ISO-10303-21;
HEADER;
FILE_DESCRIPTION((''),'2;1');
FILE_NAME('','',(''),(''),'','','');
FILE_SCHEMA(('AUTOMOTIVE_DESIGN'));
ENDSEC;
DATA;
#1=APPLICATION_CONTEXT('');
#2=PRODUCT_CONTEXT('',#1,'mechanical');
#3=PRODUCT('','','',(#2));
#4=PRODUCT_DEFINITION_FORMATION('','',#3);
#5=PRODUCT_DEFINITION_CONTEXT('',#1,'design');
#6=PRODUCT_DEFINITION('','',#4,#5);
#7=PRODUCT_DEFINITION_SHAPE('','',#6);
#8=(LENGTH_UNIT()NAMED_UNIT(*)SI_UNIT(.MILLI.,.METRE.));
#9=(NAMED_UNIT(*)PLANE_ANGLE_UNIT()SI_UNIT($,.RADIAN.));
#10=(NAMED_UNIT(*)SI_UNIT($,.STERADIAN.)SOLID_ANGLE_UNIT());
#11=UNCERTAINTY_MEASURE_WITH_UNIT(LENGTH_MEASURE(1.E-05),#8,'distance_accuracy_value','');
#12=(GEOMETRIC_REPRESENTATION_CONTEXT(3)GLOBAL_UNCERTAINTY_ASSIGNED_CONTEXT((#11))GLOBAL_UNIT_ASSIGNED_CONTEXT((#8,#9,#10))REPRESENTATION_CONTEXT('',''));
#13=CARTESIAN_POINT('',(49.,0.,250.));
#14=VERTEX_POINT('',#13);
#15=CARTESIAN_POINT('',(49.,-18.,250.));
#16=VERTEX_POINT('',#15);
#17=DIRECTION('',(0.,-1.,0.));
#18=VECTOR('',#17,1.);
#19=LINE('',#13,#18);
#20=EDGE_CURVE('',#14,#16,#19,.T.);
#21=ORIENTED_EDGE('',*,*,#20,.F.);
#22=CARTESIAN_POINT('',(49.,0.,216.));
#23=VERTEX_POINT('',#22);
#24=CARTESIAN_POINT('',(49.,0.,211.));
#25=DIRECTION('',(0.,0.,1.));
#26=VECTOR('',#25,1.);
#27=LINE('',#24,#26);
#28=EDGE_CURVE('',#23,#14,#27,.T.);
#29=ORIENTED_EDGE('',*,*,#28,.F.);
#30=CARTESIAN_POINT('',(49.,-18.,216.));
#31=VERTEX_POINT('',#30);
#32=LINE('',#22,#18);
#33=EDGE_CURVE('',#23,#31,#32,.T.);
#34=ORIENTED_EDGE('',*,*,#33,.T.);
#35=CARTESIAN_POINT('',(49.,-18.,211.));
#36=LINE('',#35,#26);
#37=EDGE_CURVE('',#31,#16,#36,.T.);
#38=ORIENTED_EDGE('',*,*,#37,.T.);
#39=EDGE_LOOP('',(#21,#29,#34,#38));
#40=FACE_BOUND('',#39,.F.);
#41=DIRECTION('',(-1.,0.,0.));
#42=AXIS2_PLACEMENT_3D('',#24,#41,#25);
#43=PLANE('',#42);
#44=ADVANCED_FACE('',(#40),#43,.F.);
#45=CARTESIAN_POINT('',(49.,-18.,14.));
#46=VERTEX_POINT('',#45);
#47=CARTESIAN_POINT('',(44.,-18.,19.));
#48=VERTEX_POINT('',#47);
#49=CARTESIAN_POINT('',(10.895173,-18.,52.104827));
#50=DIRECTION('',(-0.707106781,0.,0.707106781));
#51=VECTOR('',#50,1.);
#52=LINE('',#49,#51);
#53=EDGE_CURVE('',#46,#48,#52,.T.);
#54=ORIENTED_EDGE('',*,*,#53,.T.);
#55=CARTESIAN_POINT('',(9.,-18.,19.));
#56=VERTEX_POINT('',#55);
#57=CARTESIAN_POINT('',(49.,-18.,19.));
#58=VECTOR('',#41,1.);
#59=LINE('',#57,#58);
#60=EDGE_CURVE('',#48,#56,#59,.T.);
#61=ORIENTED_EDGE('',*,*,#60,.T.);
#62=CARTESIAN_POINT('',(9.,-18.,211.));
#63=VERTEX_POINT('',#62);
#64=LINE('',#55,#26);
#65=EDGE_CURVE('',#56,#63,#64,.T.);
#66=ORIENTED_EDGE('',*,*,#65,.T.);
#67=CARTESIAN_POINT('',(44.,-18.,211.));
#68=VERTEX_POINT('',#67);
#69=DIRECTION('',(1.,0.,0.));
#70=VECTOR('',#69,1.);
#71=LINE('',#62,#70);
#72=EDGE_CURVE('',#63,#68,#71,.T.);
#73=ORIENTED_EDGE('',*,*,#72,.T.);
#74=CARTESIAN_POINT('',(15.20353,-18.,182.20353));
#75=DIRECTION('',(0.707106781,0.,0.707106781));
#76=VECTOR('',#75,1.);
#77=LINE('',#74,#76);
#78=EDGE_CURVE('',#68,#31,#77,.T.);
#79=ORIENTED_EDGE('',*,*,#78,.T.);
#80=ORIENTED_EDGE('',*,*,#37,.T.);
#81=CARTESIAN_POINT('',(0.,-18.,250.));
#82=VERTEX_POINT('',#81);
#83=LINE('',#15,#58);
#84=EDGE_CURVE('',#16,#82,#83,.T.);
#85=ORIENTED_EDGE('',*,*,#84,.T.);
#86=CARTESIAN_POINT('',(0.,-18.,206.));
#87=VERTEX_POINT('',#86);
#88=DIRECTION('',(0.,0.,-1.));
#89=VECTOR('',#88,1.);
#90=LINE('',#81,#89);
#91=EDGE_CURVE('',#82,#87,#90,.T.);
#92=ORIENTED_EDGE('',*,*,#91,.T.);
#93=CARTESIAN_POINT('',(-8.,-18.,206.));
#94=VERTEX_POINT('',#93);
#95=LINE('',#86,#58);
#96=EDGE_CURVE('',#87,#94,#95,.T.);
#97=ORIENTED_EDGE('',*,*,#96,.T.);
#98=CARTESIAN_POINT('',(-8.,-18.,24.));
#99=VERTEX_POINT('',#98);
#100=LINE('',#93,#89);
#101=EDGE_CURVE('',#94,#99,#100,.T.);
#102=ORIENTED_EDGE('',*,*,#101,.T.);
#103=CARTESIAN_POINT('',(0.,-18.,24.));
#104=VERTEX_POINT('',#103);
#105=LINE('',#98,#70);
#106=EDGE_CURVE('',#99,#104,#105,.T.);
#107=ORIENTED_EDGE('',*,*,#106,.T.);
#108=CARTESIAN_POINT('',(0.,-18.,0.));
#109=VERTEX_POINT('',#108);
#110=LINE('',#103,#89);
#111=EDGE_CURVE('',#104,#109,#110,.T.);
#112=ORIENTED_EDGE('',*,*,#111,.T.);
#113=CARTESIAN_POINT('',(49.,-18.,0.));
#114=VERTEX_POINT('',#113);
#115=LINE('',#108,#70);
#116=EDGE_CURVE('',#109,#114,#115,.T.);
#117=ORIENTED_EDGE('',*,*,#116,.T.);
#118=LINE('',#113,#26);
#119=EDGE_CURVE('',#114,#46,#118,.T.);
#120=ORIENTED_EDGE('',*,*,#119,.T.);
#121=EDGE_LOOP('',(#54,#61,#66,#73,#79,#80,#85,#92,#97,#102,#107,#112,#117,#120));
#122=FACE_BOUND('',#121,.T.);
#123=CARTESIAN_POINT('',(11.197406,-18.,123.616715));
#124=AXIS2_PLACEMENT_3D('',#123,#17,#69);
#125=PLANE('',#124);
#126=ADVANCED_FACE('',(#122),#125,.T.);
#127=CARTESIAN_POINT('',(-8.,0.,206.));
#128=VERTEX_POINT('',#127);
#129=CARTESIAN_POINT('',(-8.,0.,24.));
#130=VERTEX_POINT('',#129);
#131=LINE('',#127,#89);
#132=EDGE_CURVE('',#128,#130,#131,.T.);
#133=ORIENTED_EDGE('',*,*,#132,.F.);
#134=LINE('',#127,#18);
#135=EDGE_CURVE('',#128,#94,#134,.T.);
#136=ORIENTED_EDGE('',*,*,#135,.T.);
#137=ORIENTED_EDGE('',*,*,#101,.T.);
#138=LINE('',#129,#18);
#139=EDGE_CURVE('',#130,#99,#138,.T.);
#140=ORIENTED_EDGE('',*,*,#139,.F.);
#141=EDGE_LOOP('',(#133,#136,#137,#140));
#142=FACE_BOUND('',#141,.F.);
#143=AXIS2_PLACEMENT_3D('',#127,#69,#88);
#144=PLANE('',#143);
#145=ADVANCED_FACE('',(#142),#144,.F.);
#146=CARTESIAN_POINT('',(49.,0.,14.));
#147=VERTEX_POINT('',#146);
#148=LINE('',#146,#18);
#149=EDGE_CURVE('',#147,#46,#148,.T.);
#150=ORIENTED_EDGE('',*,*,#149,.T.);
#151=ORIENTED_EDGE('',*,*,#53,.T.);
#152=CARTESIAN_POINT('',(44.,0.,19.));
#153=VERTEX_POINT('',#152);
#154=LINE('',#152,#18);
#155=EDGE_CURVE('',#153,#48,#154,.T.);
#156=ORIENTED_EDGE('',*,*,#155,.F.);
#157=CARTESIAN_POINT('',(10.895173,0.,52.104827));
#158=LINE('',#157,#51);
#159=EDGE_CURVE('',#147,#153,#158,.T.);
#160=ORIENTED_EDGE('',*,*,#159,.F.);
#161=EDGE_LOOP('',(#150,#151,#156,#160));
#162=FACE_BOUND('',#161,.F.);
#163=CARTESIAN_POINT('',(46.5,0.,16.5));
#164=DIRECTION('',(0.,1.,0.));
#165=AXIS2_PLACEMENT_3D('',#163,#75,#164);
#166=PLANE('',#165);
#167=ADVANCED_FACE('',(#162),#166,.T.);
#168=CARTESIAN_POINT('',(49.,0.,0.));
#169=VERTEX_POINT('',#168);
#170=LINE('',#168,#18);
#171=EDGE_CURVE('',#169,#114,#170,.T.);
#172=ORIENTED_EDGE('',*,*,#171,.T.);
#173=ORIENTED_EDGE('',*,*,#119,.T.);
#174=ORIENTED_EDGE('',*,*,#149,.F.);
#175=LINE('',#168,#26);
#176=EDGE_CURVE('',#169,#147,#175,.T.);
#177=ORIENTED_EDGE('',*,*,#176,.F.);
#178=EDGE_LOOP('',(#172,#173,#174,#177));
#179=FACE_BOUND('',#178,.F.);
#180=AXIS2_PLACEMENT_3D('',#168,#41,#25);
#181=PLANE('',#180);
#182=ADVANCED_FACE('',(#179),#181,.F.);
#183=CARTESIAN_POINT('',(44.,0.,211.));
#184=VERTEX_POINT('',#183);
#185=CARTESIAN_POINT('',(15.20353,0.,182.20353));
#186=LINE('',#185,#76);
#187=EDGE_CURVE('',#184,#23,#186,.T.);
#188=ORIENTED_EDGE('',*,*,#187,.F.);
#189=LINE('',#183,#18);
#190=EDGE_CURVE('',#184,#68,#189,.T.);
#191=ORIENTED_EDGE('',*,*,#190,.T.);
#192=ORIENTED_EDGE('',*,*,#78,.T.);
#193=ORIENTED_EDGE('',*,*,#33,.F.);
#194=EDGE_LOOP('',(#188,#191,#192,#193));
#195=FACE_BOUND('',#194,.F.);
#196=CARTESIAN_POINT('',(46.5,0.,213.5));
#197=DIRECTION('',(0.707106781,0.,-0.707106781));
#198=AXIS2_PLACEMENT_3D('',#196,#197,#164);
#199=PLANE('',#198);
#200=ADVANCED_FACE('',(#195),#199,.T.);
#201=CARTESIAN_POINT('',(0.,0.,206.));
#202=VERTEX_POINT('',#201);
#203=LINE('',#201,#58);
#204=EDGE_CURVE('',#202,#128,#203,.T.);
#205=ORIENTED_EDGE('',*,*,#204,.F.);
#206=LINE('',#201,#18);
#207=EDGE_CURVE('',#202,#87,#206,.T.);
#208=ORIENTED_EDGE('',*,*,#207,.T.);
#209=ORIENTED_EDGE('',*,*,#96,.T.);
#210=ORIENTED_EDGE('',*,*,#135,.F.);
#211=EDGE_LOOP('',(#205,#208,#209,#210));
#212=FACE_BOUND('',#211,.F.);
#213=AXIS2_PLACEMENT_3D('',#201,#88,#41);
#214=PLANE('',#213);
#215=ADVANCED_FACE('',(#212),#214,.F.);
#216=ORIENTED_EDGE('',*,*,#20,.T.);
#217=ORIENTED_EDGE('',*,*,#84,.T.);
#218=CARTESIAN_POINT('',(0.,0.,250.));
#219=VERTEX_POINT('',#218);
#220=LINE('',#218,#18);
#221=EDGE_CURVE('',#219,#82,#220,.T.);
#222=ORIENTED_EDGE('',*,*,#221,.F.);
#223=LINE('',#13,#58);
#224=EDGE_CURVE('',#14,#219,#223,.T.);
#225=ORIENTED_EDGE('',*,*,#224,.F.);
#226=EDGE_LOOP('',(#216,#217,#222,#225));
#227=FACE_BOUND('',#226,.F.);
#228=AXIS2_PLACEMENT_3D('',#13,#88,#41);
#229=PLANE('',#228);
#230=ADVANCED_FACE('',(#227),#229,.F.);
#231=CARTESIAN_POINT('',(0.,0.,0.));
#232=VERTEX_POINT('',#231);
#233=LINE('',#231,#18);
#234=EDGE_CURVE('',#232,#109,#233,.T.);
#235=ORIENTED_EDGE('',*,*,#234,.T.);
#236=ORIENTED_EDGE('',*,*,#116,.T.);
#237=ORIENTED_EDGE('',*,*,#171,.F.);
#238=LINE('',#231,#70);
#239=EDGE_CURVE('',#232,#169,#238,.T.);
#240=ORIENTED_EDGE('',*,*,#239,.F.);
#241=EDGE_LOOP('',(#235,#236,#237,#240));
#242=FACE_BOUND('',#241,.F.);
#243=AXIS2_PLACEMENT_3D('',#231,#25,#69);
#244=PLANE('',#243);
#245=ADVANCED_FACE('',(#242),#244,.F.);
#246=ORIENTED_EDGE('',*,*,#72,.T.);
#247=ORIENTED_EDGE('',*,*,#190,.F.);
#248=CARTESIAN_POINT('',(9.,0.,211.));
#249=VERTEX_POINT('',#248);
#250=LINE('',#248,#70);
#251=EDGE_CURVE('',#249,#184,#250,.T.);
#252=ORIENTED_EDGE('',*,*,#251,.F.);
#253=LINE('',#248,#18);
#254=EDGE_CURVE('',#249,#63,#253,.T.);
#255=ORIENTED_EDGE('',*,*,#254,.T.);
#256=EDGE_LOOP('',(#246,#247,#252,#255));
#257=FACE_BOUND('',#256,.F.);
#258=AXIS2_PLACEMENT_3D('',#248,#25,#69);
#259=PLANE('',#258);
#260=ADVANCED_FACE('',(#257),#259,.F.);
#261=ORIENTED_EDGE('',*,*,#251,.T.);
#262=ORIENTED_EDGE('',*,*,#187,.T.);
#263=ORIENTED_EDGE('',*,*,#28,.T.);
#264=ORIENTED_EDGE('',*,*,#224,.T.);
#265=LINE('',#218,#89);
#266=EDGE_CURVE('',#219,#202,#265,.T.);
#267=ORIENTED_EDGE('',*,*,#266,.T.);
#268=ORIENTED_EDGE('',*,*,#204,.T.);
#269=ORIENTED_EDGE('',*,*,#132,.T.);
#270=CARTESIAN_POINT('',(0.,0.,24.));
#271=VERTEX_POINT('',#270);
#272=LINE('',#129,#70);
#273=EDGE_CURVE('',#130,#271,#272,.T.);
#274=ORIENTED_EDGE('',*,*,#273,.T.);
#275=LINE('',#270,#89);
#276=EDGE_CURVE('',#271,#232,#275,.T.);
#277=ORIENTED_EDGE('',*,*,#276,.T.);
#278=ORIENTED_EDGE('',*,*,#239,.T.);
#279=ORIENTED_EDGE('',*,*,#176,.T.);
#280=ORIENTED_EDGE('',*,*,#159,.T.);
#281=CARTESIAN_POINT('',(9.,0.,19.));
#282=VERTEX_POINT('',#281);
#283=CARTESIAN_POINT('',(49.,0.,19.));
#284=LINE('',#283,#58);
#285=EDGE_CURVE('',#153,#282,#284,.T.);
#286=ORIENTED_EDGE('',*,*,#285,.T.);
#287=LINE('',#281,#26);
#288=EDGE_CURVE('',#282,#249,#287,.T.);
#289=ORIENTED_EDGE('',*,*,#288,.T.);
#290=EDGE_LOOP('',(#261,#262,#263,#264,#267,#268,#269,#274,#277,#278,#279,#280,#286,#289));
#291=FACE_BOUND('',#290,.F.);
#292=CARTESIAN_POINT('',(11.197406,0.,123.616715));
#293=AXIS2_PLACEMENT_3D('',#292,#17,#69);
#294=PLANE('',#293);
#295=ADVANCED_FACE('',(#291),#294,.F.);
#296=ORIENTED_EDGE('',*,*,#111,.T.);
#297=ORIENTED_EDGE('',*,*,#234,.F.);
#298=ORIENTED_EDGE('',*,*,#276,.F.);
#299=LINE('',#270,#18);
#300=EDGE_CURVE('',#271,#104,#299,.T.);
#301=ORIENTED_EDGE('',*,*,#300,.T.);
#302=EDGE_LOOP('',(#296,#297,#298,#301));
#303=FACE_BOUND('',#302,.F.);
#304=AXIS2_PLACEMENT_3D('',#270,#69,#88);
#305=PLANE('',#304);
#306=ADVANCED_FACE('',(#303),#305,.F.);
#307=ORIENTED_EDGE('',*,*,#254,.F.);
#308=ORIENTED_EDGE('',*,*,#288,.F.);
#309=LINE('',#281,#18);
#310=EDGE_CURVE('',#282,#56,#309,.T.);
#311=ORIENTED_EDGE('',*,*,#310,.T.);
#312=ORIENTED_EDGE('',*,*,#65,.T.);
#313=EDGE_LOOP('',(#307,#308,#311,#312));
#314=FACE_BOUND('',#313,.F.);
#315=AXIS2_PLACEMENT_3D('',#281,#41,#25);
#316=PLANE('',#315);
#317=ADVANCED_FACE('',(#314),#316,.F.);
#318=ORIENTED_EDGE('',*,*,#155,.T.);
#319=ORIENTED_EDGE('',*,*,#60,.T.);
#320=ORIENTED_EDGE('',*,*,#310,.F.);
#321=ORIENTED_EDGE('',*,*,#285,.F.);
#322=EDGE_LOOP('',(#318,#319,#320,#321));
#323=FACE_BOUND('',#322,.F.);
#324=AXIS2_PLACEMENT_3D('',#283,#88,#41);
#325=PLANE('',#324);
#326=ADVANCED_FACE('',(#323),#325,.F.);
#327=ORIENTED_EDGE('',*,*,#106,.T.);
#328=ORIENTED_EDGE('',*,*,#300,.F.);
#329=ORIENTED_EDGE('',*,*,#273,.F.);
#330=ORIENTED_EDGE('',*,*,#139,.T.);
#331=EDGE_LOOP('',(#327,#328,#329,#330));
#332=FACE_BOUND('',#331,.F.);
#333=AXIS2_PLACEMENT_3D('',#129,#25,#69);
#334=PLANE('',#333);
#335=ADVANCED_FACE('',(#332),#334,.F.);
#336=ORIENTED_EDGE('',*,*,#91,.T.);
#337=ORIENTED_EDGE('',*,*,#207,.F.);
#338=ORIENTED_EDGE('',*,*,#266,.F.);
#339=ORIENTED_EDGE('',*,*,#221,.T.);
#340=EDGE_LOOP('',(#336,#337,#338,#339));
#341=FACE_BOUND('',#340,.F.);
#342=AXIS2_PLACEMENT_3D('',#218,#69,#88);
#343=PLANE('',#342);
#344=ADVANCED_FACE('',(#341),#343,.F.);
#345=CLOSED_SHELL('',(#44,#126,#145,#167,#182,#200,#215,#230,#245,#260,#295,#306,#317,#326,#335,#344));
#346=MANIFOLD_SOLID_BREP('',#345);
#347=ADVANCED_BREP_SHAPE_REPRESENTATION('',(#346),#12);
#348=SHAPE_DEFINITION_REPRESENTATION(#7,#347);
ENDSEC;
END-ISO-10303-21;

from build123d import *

# Parameters (mm, degrees)
F1_DEPTH = 18
F2_SIZE  = 5


with BuildPart() as f1:
    # F0 (on Front) → F1 (new body)
    with BuildSketch(Plane.XZ):
        Polygon((0, 24), (0, 0), (49, 0), (49, 19), (9, 19), (9, 211), (49, 211), (49, 250), (0, 250), (0, 206), (-8, 206), (-8, 24), align=None)
    extrude(amount=F1_DEPTH)

    # F2
    f2_edges = [f1.edges().sort_by_distance(p)[0] for p in [
        (49, -9, 211),
        (49, -9, 19),
    ]]
    chamfer(f2_edges, length=F2_SIZE)


solid = f1.part
